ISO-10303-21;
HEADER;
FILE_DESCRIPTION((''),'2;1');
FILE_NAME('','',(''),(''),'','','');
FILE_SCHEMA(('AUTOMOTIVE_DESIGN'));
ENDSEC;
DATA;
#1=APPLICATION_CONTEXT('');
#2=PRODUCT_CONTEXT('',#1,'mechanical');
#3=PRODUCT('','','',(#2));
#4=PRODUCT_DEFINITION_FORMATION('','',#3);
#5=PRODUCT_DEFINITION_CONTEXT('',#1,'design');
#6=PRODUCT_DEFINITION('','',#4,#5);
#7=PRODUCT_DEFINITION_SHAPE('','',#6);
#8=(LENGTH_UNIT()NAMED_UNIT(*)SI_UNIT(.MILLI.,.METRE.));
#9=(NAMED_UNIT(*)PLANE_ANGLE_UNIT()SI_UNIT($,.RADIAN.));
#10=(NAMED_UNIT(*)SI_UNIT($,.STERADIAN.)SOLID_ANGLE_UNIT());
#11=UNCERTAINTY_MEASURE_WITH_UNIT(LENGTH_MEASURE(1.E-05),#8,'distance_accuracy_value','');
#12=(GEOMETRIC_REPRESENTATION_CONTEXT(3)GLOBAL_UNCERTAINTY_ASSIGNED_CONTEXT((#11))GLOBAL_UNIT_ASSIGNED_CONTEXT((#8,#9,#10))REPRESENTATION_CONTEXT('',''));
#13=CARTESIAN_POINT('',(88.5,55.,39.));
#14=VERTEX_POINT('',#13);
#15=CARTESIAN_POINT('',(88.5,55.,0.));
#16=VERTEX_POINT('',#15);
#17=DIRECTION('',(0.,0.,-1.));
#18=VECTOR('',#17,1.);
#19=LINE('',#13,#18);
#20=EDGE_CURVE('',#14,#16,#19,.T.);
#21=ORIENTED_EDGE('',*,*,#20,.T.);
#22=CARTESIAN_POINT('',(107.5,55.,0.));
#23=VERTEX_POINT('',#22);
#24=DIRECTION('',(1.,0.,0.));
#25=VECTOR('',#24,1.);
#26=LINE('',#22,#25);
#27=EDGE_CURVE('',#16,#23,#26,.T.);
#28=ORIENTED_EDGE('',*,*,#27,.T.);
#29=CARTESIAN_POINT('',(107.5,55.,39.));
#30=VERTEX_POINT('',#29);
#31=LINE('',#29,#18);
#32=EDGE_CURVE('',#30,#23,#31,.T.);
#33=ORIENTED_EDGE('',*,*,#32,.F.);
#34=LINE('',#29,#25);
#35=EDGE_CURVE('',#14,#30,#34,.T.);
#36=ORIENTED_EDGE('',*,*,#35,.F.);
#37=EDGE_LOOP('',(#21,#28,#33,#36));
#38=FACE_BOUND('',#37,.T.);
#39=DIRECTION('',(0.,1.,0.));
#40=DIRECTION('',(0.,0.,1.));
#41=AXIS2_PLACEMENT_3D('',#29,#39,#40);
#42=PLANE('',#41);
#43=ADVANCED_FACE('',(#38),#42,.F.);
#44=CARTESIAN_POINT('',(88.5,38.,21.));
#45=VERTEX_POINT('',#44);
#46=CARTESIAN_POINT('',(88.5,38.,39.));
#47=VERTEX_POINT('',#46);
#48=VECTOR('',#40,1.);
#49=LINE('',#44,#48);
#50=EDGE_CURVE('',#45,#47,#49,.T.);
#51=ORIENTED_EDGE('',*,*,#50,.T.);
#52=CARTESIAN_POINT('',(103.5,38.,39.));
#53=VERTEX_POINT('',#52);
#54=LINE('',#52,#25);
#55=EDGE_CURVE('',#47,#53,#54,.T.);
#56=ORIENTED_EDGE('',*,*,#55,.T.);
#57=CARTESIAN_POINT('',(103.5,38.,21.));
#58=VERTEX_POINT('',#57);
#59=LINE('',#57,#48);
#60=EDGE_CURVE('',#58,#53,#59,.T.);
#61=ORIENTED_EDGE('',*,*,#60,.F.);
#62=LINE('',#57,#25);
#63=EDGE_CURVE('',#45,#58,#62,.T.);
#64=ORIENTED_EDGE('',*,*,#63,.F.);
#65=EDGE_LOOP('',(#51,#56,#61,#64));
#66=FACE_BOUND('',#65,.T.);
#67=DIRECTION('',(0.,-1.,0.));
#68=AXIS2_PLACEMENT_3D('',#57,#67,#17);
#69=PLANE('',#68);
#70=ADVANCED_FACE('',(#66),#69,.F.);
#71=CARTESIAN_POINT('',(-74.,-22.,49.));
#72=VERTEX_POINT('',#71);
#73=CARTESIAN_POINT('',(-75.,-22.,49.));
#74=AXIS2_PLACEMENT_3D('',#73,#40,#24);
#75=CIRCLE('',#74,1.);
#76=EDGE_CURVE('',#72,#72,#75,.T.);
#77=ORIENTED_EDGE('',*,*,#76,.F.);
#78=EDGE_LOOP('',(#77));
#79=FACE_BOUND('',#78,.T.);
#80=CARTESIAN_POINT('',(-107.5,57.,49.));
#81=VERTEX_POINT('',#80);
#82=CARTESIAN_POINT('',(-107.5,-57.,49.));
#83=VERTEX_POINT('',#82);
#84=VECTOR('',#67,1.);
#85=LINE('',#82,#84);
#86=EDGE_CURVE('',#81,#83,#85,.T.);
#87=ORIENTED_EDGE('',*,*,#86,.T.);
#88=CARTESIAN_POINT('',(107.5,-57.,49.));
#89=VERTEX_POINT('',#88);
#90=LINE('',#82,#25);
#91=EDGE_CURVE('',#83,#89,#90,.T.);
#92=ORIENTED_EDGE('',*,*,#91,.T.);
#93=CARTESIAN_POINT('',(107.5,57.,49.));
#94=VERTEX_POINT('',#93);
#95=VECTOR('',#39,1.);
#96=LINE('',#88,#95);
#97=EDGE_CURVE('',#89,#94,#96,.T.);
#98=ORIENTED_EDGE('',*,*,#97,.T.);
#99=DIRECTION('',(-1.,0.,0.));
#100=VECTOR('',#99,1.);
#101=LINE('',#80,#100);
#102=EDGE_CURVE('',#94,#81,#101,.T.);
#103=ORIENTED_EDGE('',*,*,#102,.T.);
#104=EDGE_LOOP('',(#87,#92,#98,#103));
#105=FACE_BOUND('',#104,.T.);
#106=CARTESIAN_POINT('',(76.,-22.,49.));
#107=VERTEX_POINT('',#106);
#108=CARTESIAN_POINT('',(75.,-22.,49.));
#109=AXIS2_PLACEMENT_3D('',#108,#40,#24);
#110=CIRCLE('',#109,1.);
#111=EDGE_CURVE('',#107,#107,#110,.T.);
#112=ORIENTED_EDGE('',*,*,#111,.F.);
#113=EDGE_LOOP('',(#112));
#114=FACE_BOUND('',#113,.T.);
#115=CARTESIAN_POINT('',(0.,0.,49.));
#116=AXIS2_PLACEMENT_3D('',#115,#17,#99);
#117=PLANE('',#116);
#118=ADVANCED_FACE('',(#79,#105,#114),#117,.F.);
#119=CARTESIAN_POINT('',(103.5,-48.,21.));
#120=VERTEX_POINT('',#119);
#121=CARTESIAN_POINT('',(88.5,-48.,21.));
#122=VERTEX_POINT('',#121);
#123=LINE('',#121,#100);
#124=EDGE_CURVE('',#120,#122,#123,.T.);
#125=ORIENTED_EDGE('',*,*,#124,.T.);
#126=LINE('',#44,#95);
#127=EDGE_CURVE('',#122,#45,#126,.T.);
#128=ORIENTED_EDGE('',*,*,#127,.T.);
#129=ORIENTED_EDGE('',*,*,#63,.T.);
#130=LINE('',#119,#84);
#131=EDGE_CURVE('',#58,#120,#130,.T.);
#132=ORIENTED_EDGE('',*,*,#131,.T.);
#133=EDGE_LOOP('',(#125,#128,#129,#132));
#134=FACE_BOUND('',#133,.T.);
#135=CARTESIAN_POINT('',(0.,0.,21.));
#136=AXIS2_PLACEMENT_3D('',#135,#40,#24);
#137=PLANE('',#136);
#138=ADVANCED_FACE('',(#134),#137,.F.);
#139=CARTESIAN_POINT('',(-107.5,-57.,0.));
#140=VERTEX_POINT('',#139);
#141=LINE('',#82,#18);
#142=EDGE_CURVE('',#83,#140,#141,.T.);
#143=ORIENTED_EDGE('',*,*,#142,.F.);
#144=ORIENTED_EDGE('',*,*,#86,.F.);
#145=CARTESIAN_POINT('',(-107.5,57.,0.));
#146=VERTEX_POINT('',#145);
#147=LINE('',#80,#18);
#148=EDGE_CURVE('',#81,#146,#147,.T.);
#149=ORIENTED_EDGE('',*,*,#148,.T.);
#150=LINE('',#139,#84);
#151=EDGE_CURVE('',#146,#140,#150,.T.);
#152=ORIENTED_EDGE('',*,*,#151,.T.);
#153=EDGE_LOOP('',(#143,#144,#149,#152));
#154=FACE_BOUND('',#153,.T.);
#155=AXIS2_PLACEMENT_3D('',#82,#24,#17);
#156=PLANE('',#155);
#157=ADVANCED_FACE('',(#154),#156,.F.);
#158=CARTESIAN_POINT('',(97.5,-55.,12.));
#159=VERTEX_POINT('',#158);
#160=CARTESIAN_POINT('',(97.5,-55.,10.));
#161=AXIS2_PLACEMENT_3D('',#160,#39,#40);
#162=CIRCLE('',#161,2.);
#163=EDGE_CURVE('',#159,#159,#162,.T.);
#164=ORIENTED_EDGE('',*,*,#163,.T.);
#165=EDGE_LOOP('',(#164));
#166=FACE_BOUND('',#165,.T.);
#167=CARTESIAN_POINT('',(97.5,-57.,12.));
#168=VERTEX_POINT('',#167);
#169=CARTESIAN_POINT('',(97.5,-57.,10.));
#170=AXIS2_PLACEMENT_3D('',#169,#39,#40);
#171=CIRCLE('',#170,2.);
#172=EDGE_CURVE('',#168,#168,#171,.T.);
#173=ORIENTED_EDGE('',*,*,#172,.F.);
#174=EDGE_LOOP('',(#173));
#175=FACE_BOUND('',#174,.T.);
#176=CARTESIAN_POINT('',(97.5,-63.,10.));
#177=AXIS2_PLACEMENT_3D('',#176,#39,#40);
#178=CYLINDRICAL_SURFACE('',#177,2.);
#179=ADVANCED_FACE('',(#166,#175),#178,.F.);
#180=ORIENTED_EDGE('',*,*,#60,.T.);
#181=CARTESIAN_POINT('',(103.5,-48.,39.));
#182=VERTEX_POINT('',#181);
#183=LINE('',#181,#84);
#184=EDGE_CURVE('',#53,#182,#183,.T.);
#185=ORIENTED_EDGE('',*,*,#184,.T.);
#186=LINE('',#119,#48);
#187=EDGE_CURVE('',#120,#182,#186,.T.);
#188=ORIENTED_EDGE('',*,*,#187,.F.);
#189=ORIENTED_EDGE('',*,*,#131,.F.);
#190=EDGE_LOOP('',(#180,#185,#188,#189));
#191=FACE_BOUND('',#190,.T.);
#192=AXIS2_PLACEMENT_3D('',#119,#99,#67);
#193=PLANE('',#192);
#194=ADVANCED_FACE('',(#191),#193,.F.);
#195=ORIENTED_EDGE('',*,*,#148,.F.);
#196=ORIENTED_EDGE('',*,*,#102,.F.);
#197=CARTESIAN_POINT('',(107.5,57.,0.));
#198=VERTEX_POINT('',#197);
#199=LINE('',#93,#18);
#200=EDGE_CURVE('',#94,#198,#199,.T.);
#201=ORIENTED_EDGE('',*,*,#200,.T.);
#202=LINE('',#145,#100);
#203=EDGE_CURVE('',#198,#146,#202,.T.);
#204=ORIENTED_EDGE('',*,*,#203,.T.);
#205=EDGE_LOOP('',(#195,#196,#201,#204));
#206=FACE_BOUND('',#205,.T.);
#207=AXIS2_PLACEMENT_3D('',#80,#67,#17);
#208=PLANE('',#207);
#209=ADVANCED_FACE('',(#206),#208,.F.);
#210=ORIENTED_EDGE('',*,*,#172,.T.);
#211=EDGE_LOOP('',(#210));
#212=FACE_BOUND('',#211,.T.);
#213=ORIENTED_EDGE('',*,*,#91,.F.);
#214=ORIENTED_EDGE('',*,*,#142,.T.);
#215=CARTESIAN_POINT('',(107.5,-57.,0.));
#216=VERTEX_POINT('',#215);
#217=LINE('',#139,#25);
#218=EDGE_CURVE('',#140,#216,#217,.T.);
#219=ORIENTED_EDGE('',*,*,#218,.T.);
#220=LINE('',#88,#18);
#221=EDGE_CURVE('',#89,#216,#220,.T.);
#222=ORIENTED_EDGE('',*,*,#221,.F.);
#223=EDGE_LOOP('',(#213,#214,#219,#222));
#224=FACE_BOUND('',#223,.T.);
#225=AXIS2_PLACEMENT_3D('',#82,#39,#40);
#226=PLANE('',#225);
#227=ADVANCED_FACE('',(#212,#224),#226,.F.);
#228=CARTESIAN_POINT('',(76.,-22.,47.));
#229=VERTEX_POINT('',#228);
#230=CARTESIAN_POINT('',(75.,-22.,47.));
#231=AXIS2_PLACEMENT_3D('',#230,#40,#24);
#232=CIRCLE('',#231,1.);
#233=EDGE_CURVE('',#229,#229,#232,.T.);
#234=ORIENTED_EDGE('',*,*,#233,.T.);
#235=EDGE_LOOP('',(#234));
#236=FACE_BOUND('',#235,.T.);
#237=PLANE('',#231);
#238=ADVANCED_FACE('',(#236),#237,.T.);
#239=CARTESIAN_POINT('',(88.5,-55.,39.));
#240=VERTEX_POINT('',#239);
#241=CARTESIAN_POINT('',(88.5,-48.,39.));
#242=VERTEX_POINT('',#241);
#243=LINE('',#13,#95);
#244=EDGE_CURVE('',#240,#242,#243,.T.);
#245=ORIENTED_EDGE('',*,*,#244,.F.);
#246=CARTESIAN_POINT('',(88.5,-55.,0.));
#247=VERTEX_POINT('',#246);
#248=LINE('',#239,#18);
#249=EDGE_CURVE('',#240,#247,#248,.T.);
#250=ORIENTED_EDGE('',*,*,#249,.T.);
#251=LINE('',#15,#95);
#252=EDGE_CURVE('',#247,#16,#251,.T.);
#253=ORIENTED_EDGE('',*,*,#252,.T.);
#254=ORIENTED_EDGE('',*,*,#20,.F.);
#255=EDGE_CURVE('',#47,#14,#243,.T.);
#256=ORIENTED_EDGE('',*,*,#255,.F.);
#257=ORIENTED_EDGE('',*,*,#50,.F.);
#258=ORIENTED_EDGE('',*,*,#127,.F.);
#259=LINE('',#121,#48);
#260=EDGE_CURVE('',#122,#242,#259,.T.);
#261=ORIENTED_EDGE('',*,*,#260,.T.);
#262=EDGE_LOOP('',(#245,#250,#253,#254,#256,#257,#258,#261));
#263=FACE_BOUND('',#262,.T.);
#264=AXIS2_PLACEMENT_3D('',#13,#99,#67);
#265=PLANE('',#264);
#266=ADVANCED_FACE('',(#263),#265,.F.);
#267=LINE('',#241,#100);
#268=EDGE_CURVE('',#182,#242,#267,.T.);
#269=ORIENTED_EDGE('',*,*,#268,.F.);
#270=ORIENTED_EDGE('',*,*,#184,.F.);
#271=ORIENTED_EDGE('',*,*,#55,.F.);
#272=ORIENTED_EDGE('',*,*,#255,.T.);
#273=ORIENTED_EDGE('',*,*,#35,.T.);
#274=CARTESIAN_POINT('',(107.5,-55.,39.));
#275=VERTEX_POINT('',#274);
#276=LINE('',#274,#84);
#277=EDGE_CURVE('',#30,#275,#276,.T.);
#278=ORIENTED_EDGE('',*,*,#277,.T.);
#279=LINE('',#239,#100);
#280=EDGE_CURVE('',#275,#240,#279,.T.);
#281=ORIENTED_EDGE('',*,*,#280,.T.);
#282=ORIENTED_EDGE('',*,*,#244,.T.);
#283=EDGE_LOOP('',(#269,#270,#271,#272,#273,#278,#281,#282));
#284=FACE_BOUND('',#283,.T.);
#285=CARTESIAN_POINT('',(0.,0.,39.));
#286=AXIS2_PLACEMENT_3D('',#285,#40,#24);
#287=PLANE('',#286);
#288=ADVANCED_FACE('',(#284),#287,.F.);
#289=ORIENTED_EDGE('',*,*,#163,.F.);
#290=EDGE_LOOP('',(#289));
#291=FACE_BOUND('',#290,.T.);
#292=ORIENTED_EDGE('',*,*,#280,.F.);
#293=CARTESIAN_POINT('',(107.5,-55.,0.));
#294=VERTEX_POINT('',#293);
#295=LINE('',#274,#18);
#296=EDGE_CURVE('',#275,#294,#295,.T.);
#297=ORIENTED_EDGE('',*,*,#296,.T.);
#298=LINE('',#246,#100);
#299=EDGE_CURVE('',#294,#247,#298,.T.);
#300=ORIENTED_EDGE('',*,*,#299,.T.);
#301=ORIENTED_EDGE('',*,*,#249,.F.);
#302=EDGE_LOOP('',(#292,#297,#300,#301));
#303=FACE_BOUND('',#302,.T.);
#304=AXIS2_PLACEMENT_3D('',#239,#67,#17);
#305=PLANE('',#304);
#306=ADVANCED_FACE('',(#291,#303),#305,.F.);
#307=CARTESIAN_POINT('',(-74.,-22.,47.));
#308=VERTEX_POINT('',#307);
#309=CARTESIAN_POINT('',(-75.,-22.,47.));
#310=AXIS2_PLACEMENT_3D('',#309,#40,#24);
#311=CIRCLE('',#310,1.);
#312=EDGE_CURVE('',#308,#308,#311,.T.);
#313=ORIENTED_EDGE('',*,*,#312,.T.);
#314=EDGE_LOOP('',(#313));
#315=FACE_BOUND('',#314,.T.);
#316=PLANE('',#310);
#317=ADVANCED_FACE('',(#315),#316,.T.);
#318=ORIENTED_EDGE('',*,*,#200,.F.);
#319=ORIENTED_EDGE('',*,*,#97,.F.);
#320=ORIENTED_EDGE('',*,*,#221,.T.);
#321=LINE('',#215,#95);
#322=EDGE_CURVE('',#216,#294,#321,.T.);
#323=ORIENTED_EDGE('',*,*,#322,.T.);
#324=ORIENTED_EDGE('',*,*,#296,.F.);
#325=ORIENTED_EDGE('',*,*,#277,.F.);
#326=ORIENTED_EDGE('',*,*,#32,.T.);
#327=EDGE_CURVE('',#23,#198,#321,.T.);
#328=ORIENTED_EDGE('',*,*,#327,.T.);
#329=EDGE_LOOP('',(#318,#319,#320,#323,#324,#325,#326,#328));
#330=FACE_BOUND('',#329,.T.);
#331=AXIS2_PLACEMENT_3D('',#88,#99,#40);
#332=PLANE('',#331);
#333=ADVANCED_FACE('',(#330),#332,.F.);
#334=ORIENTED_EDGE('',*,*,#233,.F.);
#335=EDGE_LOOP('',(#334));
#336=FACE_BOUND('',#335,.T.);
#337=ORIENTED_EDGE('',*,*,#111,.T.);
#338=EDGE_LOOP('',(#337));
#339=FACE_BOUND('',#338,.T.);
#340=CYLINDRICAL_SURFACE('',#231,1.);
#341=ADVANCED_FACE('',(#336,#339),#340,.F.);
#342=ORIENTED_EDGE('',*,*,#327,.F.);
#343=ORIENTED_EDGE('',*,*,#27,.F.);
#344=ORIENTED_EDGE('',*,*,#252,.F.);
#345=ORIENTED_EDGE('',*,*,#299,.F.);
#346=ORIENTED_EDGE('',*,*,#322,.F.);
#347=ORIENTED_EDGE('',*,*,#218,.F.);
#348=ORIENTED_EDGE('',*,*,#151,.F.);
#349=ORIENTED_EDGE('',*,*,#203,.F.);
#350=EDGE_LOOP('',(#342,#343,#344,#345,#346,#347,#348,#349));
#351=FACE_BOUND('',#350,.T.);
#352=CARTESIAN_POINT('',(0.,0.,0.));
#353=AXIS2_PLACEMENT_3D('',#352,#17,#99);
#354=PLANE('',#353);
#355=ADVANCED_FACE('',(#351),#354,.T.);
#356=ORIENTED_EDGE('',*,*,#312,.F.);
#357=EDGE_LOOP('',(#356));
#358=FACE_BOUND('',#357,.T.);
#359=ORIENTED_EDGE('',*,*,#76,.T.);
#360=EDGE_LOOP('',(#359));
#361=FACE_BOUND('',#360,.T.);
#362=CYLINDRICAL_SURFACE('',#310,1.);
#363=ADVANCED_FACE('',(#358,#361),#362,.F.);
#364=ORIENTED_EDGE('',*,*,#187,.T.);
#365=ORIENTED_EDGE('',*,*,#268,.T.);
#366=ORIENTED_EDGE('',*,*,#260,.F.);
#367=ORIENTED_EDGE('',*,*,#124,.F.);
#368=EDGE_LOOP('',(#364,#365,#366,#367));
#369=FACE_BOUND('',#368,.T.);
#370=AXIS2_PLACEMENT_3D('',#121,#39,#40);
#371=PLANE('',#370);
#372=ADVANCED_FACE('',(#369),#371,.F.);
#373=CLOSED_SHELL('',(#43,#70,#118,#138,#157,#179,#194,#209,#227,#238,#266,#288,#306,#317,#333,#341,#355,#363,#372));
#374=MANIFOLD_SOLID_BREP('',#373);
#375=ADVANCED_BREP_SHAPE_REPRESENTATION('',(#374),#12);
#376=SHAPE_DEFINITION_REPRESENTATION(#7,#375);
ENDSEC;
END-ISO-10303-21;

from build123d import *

# Parameters (mm, degrees)
SKETCH1_W           = 215
SKETCH1_H           = 114
BOSS_EXTRUDE1_DEPTH = 49
SKETCH2_W           = 19
SKETCH2_H           = 110
CUT_EXTRUDE1_DEPTH  = 39
SKETCH3_W           = 15
SKETCH3_H           = 86
BOSS_EXTRUDE3_DEPTH = 18
SKETCH4_R           = 2
CUT_EXTRUDE2_DEPTH  = 8
SKETCH5_R           = 1
CUT_EXTRUDE3_DEPTH  = 2


with BuildPart() as part:
    # Sketch1 → Boss-Extrude1 (new body)
    with BuildSketch(Plane.XY):
        Rectangle(SKETCH1_W, SKETCH1_H)
    extrude(amount=BOSS_EXTRUDE1_DEPTH)

    # Sketch2 → Cut-Extrude1 (cut)
    with BuildSketch(Plane(origin=(0, 0, 0), x_dir=(-1, 0, 0), z_dir=(0, 0, -1))):
        with Locations((-98, 0)):
            Rectangle(SKETCH2_W, SKETCH2_H)
    extrude(amount=-CUT_EXTRUDE1_DEPTH, mode=Mode.SUBTRACT)

    # Sketch3 → Boss-Extrude3 (add)
    with BuildSketch(Plane(origin=(0, 0, 39), x_dir=(-1, 0, 0), z_dir=(0, 0, -1))):
        with Locations((-96, -5)):
            Rectangle(SKETCH3_W, SKETCH3_H)
    extrude(amount=BOSS_EXTRUDE3_DEPTH)

    # Sketch4 → Cut-Extrude2 (cut)
    with BuildSketch(Plane(origin=(0, -55, 0), x_dir=(1, 0, 0), z_dir=(0, 1, 0))):
        with Locations((97.5, -10)):
            Circle(SKETCH4_R)
    extrude(amount=-CUT_EXTRUDE2_DEPTH, mode=Mode.SUBTRACT)

    # Sketch5 → Cut-Extrude3 (cut)
    with BuildSketch(Plane.XY.offset(49)):
        with Locations((75, -22)):
            Circle(SKETCH5_R)
        with Locations((-75, -22)):
            Circle(SKETCH5_R)
    extrude(amount=-CUT_EXTRUDE3_DEPTH, mode=Mode.SUBTRACT)


solid = part.part
